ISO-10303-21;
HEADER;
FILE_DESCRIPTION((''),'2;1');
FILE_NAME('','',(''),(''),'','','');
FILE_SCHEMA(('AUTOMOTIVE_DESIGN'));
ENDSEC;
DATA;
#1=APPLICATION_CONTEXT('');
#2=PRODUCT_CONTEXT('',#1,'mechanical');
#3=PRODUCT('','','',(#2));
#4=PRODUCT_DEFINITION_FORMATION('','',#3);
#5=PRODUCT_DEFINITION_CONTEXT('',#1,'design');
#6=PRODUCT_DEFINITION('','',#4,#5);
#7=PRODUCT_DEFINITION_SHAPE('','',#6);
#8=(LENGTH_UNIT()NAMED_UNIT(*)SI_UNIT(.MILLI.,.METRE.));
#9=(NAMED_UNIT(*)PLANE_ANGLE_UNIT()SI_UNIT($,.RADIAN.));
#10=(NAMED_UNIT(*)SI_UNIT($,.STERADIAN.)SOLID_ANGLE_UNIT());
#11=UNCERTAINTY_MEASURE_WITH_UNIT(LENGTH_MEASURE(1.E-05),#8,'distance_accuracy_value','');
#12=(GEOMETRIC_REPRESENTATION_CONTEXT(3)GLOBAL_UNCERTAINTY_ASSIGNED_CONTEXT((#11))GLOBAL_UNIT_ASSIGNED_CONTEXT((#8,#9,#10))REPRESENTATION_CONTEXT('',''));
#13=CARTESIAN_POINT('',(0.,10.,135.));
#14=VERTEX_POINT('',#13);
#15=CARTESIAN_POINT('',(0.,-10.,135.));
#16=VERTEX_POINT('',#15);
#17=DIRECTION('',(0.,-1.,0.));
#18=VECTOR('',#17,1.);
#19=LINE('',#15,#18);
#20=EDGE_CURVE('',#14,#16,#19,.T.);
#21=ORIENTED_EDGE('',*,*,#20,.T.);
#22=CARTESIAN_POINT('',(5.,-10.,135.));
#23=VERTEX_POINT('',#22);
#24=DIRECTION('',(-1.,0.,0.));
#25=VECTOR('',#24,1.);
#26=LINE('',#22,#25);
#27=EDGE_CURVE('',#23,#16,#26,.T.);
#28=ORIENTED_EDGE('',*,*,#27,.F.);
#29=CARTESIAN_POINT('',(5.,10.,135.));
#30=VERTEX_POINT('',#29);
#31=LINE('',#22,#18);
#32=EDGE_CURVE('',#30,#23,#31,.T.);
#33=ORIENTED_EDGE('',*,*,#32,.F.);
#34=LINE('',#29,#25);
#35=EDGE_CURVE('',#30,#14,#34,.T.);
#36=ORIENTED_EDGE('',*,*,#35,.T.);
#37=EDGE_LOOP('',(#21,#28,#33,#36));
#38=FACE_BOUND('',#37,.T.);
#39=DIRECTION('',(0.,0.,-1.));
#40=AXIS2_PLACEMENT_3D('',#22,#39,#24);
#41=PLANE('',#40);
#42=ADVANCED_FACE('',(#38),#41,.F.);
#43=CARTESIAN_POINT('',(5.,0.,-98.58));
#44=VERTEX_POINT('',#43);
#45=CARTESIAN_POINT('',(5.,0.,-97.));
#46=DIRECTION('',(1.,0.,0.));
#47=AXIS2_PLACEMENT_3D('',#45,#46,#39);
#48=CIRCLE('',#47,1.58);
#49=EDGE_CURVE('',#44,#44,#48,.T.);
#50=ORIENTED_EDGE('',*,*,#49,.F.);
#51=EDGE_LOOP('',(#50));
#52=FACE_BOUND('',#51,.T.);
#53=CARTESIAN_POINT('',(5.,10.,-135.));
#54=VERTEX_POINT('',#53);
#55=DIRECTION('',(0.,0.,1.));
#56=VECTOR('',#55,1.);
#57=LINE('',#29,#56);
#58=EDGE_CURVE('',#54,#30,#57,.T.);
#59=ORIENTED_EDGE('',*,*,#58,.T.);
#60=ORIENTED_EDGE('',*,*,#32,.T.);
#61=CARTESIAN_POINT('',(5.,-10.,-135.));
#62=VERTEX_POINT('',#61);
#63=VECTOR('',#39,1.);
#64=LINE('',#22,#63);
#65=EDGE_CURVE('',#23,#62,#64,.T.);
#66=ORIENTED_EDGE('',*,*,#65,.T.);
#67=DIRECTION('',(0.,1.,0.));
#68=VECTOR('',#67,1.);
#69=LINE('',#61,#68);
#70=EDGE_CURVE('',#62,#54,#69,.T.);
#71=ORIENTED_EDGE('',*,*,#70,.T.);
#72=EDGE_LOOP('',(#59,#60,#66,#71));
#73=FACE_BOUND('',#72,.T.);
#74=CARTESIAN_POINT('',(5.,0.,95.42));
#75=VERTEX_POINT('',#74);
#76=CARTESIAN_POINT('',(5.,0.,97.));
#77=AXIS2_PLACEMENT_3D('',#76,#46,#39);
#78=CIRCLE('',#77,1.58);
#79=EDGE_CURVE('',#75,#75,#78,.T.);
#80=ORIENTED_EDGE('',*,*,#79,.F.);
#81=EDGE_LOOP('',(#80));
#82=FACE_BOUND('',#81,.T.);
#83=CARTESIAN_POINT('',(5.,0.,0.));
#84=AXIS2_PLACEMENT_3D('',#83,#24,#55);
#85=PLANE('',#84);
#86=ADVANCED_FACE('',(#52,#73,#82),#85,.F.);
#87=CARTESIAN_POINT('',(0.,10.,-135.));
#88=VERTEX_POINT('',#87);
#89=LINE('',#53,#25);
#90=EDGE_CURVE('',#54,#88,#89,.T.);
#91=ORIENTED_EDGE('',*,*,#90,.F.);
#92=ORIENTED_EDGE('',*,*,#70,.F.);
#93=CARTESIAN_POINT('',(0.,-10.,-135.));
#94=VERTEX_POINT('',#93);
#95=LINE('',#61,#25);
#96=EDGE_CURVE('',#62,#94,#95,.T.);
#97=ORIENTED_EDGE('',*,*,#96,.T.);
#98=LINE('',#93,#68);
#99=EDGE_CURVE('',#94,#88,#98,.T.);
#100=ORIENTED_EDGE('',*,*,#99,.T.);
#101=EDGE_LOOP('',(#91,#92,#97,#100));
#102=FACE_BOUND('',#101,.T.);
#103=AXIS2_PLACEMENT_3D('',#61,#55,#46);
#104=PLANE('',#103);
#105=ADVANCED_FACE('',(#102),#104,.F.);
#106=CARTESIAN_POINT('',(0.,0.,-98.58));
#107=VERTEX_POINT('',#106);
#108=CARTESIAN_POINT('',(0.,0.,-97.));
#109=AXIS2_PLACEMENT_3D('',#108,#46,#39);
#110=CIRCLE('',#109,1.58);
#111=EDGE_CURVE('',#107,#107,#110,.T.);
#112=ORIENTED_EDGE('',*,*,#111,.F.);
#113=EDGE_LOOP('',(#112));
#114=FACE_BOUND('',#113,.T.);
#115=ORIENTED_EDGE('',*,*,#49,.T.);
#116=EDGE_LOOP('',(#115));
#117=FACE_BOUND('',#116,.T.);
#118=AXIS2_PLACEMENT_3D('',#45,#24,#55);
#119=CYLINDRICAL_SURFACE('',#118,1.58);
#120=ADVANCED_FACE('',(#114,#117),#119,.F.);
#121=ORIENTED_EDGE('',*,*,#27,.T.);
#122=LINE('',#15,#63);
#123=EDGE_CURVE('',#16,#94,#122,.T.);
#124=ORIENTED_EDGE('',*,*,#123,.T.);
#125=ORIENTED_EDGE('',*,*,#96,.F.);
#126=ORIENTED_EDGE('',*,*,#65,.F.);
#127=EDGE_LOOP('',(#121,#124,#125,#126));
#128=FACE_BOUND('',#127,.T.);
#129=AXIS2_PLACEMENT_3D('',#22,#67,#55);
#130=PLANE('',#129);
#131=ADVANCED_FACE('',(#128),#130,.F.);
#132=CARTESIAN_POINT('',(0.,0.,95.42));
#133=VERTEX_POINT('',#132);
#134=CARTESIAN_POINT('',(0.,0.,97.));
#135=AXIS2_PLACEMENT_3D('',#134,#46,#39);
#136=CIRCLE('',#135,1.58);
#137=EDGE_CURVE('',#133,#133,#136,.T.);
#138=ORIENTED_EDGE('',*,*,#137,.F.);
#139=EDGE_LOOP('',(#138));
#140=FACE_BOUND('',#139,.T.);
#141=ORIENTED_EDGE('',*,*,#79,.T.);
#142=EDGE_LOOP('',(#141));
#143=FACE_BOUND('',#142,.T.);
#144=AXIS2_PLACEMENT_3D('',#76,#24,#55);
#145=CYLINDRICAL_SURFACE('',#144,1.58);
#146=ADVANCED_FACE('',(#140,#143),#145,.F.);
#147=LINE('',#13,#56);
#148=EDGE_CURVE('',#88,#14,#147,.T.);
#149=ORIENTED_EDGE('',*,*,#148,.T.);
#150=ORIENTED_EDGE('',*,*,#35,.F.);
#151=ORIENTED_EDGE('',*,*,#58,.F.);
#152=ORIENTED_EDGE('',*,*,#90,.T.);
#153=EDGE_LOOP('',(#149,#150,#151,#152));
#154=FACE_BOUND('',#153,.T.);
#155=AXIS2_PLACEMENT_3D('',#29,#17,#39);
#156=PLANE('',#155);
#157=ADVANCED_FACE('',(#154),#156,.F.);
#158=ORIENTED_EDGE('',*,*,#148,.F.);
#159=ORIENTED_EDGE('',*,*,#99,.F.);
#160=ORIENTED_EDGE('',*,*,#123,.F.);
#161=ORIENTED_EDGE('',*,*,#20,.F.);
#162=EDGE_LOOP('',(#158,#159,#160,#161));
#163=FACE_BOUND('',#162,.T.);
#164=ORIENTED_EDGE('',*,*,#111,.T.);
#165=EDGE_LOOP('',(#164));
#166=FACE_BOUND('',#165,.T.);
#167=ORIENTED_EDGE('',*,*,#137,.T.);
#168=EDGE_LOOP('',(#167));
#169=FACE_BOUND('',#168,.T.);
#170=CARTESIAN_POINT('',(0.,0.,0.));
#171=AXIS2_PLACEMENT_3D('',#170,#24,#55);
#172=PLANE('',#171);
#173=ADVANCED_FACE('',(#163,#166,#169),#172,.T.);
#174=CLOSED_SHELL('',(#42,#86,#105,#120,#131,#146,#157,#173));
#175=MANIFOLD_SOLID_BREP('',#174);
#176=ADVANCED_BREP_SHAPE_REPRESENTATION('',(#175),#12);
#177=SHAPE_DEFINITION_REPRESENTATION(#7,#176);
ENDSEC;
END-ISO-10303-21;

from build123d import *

# Parameters (mm, degrees)
CROQUIS1_W              = 270
CROQUIS1_H              = 20
CROQUIS1_R              = 1.58
SALIENTE_EXTRUIR1_DEPTH = 5


with BuildPart() as part:
    # Croquis1 → Saliente-Extruir1 (new body)
    with BuildSketch(Plane(origin=(0, 0, 0), x_dir=(0, 0, -1), z_dir=(1, 0, 0))):
        Rectangle(CROQUIS1_W, CROQUIS1_H)
        with Locations((97, 0)):
            Circle(CROQUIS1_R, mode=Mode.SUBTRACT)
        with Locations((-97, 0)):
            Circle(CROQUIS1_R, mode=Mode.SUBTRACT)
    extrude(amount=SALIENTE_EXTRUIR1_DEPTH)


solid = part.part
